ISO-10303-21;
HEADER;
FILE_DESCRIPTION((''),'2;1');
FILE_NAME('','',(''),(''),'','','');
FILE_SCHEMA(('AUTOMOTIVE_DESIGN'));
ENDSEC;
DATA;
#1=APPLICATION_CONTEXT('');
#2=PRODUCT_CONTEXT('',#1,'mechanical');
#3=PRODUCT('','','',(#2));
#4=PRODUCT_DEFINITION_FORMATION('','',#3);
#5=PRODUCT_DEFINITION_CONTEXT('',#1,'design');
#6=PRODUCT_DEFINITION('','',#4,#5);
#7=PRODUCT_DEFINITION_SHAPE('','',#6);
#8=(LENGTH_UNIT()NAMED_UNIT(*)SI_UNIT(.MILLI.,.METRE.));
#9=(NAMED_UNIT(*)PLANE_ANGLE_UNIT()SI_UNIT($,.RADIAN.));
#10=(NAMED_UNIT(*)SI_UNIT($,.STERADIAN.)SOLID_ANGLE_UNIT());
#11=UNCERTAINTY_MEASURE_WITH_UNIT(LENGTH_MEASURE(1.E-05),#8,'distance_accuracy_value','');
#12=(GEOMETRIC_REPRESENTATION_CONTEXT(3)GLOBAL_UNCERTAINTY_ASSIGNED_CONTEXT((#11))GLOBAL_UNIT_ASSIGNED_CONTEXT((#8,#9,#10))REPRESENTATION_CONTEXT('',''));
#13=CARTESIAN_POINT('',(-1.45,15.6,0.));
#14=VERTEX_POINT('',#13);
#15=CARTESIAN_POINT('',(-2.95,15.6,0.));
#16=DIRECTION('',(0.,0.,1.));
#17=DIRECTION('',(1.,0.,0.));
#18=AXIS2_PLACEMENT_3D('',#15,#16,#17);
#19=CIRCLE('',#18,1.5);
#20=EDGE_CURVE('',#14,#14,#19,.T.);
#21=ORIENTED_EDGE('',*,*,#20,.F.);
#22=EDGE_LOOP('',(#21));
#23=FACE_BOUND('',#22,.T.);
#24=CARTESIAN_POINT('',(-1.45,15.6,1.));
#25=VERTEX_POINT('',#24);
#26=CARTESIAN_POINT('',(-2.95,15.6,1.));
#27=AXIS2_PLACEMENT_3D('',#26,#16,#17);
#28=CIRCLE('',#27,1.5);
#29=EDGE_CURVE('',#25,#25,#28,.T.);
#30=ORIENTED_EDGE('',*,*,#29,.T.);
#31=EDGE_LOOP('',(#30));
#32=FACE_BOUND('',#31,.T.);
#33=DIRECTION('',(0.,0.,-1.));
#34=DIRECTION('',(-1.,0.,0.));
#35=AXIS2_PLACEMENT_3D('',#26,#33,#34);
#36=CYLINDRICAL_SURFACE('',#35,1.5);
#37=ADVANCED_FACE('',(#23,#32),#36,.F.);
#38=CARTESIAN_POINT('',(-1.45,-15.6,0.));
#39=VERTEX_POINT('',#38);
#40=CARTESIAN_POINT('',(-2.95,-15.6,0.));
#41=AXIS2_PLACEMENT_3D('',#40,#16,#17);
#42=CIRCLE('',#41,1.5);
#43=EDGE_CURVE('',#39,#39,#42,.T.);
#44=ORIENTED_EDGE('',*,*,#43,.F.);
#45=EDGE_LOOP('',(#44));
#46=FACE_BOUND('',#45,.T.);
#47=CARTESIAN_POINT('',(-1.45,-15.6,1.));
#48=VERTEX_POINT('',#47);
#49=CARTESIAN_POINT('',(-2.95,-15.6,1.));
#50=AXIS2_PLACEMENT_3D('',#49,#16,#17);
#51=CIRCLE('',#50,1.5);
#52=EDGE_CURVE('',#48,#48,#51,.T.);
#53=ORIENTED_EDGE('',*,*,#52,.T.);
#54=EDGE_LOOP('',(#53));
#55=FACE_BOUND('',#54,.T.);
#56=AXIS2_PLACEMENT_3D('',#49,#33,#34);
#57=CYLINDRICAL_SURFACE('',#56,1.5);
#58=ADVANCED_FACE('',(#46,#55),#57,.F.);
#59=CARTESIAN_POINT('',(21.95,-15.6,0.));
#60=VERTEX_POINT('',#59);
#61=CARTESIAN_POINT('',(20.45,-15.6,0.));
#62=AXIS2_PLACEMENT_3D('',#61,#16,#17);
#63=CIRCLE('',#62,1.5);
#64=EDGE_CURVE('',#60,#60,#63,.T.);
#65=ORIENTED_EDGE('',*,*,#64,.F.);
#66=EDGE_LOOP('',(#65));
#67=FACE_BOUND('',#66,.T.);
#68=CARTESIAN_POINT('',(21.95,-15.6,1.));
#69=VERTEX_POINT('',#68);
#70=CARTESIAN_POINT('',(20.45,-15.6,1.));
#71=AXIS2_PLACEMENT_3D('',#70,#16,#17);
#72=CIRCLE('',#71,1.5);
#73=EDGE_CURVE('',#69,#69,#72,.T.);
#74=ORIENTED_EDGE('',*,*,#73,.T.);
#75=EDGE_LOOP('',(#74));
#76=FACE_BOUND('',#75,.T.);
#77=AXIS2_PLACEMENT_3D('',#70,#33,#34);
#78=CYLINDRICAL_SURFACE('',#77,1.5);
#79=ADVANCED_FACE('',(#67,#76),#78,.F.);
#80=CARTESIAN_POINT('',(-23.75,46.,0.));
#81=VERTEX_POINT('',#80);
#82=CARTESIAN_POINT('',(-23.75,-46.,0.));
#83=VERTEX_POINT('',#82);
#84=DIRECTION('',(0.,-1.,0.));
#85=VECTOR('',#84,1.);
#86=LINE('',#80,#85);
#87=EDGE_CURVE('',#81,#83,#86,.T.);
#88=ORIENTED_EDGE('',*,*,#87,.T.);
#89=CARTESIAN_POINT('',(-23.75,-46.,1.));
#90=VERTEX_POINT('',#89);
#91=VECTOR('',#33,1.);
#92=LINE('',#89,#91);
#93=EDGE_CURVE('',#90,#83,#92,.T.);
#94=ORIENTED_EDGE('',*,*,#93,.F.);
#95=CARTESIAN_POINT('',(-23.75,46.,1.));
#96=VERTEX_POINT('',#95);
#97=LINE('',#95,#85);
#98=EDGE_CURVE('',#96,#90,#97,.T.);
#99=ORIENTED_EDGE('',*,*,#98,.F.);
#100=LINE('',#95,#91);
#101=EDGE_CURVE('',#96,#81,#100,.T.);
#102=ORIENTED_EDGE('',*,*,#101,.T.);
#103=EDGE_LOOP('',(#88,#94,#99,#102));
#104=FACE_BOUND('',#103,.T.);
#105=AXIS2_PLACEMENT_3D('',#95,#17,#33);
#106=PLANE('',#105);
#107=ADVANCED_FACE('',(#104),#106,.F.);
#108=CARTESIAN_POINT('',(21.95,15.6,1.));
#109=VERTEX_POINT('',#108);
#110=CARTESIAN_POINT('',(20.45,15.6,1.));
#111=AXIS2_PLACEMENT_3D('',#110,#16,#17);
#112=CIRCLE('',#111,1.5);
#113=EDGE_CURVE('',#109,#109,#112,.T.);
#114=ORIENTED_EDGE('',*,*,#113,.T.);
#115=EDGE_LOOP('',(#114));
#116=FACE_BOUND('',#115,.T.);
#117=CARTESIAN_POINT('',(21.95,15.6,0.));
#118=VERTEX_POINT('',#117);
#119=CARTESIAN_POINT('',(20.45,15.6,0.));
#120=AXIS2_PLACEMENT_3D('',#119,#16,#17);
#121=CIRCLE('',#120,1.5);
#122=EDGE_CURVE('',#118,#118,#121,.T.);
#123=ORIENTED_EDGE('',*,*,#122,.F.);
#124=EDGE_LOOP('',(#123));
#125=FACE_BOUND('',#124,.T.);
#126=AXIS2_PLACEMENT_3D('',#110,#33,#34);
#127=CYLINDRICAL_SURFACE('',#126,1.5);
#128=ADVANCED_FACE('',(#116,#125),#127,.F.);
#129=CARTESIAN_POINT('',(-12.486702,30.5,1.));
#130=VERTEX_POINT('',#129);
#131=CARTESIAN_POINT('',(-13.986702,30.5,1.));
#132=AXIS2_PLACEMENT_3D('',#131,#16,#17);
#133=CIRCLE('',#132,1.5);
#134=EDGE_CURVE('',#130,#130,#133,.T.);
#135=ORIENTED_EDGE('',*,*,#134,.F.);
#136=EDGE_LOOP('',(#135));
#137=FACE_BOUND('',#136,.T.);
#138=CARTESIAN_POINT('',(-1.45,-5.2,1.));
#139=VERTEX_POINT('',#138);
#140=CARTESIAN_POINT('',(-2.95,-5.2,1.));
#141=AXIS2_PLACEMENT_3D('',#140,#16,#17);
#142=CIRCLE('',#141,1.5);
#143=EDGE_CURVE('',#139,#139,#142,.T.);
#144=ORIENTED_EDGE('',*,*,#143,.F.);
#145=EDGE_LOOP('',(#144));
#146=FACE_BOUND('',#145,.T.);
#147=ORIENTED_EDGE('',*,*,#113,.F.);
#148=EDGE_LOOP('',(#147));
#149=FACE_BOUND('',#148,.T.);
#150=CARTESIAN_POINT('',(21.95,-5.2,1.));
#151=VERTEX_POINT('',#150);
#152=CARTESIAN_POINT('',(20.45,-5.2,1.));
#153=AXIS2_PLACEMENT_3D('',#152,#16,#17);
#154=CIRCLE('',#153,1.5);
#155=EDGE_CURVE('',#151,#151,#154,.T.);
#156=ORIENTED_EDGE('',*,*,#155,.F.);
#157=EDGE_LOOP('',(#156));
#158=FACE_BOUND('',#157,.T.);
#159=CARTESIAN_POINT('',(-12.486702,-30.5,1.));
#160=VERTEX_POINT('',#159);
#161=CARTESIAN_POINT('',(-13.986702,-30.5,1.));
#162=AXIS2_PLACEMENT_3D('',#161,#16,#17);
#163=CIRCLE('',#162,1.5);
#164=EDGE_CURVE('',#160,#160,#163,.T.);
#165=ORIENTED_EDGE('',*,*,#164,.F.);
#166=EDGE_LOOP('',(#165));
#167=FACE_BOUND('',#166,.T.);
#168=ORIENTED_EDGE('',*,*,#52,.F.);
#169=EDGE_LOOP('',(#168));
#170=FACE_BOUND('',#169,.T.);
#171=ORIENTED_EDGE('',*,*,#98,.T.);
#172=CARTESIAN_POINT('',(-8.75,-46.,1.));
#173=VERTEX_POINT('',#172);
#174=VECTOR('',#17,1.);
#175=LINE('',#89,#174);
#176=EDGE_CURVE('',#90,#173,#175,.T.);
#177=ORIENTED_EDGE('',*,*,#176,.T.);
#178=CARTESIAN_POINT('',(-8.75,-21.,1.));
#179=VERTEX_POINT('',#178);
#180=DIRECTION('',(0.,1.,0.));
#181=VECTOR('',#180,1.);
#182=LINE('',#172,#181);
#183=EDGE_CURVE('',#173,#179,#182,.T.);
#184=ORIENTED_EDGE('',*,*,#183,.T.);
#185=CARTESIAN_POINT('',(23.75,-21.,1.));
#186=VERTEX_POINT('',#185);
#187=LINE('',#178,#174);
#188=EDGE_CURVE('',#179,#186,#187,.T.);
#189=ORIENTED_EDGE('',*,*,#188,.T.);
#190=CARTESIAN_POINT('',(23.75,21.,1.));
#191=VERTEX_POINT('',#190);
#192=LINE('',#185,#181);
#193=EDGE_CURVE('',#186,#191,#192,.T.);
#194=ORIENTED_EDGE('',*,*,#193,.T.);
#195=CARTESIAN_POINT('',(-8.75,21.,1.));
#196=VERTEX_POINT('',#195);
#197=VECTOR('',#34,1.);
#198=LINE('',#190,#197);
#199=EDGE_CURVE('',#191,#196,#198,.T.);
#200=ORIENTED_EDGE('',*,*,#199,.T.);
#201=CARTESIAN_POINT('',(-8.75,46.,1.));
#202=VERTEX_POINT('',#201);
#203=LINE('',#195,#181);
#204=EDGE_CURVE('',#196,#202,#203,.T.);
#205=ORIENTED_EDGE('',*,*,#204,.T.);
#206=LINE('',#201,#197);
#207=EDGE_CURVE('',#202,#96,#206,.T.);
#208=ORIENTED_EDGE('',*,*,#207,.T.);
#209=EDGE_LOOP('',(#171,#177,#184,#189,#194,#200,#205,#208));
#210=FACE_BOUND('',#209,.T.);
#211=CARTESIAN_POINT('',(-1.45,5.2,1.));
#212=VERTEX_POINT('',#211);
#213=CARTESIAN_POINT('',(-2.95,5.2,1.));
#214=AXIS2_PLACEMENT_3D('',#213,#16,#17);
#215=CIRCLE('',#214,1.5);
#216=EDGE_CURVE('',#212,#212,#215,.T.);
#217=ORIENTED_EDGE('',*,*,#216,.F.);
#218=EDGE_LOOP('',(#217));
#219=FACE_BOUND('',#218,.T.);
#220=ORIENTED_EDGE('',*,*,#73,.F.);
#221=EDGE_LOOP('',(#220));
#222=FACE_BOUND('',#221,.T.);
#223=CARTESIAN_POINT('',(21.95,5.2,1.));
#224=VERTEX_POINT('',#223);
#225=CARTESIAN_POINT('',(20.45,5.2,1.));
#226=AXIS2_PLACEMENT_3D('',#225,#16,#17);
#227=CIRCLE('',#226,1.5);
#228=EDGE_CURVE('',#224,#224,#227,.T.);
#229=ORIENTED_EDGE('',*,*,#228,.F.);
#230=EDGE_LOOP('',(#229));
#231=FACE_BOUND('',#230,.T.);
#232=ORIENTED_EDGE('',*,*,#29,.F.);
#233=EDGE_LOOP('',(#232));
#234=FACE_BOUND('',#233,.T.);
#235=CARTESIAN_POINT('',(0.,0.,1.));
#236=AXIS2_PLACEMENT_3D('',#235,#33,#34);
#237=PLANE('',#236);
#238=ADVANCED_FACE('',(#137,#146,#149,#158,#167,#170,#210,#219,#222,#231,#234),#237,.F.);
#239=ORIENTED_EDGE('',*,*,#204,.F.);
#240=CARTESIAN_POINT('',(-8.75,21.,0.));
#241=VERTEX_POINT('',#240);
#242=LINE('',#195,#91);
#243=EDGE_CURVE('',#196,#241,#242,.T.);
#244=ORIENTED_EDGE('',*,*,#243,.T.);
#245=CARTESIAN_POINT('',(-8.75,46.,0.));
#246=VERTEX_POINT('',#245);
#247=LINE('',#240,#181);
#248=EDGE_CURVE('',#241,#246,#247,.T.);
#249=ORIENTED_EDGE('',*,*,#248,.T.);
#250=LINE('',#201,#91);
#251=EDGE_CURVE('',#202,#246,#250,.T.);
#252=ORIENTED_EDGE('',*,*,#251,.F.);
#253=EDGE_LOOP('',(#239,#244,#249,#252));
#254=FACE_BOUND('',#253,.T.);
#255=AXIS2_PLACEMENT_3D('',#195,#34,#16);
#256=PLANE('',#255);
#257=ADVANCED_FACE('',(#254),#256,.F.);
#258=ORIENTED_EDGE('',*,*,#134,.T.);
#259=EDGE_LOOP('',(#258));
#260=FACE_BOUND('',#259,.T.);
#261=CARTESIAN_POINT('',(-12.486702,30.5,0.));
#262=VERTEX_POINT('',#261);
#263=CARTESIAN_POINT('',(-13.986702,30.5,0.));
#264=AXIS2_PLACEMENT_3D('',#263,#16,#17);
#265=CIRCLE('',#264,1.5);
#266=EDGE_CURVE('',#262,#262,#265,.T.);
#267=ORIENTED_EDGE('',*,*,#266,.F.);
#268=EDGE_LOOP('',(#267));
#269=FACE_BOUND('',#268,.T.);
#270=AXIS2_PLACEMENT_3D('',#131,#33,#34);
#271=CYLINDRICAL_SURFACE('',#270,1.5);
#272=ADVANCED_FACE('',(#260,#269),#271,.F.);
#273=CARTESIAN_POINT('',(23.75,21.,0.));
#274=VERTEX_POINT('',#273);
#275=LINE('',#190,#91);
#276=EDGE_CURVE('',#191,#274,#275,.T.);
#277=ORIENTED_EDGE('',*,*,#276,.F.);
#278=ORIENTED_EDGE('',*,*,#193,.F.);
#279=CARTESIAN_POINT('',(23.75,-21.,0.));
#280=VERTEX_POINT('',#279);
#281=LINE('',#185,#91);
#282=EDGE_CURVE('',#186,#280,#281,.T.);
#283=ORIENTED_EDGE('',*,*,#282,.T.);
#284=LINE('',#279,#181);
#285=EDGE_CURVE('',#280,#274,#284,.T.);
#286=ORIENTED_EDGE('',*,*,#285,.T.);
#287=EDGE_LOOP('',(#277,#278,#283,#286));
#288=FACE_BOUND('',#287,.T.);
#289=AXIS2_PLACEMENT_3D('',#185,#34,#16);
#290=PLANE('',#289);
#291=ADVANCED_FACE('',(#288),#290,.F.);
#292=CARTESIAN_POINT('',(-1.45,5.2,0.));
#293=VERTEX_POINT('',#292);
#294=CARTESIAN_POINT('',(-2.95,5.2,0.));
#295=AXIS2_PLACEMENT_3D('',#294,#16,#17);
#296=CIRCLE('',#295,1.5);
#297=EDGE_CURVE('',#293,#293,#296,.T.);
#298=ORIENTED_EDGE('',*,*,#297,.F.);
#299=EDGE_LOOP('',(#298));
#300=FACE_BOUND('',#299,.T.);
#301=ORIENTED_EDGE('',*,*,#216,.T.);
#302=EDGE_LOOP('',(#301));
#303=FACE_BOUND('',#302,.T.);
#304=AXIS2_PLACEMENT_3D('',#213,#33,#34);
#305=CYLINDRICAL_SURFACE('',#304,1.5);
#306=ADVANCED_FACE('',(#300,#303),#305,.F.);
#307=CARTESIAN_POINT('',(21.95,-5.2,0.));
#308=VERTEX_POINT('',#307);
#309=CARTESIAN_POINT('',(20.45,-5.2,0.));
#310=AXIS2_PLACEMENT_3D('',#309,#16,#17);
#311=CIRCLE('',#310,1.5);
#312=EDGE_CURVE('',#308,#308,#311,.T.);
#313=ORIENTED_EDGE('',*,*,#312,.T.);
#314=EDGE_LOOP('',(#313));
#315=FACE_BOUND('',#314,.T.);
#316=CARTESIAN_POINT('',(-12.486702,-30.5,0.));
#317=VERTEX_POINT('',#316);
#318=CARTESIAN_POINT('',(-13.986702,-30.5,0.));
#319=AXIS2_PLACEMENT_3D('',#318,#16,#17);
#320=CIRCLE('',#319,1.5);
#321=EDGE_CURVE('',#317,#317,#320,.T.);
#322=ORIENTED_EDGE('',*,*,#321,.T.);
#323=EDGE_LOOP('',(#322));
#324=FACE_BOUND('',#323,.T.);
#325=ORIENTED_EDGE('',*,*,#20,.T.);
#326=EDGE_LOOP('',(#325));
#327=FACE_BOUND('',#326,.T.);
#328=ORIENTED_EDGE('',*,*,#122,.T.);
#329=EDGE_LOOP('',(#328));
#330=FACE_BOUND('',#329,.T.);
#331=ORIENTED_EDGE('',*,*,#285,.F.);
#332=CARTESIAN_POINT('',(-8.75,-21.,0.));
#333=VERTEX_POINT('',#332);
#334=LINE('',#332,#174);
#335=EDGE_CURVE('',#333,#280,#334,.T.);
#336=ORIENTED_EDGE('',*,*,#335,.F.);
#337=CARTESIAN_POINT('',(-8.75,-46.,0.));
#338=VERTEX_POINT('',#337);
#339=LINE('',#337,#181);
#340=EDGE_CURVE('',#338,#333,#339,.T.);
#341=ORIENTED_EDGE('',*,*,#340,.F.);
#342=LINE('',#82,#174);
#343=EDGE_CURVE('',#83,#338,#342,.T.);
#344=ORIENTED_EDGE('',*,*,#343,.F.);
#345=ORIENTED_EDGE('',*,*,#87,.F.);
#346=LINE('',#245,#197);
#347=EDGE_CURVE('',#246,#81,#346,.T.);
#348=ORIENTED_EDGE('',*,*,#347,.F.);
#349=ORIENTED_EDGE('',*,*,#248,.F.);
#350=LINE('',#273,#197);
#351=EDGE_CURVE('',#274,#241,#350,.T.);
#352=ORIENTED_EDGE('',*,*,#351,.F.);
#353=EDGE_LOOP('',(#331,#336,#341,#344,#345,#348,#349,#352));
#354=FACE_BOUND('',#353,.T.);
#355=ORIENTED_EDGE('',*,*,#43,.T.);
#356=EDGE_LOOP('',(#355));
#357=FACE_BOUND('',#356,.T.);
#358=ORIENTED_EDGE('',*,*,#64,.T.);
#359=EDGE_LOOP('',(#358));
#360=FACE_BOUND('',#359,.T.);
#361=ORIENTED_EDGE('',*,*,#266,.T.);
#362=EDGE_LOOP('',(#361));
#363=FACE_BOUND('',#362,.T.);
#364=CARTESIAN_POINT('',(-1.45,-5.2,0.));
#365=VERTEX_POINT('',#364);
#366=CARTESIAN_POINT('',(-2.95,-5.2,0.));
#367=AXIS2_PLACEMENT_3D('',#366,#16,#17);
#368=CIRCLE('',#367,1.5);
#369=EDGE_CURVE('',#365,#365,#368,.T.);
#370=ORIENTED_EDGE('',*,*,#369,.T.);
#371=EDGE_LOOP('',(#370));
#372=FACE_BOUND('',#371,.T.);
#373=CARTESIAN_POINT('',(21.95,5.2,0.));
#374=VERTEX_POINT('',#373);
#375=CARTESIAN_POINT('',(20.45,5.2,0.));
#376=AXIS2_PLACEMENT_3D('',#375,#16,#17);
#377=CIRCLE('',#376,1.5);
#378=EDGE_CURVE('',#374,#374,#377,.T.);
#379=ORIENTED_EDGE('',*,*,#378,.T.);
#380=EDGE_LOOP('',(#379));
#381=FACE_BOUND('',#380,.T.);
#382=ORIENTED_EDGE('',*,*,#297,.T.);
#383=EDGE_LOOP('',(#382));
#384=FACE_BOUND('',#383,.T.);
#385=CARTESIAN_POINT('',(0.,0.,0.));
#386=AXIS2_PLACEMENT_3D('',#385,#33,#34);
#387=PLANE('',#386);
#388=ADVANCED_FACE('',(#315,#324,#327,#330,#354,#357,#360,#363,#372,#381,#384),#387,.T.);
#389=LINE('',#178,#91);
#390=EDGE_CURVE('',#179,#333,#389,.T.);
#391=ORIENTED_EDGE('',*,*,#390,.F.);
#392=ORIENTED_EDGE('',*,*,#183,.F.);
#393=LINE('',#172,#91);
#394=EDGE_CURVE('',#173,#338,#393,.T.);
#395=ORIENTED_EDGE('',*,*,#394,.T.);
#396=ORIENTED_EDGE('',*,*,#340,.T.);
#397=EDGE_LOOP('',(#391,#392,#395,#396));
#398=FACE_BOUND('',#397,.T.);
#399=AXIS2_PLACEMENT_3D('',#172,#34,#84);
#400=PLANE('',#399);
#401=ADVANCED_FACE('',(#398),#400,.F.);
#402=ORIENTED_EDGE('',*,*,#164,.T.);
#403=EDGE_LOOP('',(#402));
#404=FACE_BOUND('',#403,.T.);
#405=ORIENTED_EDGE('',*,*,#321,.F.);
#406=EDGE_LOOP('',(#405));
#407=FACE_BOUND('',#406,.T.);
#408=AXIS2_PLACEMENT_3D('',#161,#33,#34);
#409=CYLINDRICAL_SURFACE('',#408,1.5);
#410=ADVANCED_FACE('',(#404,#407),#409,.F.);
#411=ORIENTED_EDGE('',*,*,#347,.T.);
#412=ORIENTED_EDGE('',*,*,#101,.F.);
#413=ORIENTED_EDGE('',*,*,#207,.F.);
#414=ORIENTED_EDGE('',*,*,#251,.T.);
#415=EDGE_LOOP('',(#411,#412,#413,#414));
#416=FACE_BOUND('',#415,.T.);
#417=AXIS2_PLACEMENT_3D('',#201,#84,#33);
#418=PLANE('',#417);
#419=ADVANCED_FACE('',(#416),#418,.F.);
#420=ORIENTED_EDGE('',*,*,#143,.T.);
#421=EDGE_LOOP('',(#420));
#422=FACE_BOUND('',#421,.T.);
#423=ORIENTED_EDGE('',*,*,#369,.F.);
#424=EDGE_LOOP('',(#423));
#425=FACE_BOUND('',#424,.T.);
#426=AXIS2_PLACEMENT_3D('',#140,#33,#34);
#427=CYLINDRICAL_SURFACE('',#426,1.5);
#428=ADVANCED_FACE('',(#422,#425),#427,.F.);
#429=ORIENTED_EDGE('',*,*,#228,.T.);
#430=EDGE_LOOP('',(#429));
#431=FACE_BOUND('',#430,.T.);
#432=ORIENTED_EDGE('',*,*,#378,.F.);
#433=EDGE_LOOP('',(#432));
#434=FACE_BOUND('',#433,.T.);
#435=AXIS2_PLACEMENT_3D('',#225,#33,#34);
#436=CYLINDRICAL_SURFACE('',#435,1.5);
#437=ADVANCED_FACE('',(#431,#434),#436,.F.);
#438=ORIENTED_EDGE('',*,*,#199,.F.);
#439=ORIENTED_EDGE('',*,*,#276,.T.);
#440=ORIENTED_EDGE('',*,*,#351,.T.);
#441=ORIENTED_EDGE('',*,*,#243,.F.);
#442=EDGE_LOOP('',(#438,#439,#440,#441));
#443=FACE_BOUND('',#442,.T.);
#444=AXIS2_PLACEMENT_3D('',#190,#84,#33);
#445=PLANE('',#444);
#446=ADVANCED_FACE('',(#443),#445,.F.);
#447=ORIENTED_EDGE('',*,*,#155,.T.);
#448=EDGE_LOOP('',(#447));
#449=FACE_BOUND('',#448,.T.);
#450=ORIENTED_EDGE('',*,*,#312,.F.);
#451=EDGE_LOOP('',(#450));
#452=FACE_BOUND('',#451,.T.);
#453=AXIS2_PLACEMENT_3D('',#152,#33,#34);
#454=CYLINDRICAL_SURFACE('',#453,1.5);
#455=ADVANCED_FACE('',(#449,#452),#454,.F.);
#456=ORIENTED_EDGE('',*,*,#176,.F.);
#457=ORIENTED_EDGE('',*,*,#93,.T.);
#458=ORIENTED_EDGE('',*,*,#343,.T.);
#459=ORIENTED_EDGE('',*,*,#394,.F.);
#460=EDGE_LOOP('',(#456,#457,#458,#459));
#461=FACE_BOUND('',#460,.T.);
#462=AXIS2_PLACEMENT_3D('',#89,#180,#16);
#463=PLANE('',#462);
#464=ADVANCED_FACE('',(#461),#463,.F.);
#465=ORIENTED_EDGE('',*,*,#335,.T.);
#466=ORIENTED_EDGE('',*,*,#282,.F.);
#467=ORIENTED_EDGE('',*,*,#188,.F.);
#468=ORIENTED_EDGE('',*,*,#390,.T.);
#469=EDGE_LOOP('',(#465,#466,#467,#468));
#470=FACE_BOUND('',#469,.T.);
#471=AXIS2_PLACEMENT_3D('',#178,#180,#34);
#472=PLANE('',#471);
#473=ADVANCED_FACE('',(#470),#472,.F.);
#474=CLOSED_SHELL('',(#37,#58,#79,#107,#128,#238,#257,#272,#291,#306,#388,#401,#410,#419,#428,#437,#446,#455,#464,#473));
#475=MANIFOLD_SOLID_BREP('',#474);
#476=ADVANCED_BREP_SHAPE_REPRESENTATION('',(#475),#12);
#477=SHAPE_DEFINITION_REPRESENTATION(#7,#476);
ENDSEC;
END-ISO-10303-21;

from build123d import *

# Parameters (mm, degrees)
SKETCH_1_R      = 1.5
EXTRUDE_1_DEPTH = 1


with BuildPart() as part:
    # Эскиз1 → Бобышка-Вытянуть1 (new body)
    with BuildSketch(Plane.XY):
        Polygon((-23.75, 46), (-23.75, -46), (-8.75, -46), (-8.75, -21), (23.75, -21), (23.75, 21), (-8.75, 21), (-8.75, 46), align=None)
        with Locations((-13.986702311, 30.5)):
            Circle(SKETCH_1_R, mode=Mode.SUBTRACT)
        with Locations((-13.986702311, -30.5)):
            Circle(SKETCH_1_R, mode=Mode.SUBTRACT)
        with Locations((-2.95, -15.6)):
            Circle(SKETCH_1_R, mode=Mode.SUBTRACT)
        with Locations((-2.95, -5.2)):
            Circle(SKETCH_1_R, mode=Mode.SUBTRACT)
        with Locations((-2.95, 5.2)):
            Circle(SKETCH_1_R, mode=Mode.SUBTRACT)
        with Locations((-2.95, 15.6)):
            Circle(SKETCH_1_R, mode=Mode.SUBTRACT)
        with Locations((20.45, 15.6)):
            Circle(SKETCH_1_R, mode=Mode.SUBTRACT)
        with Locations((20.45, 5.2)):
            Circle(SKETCH_1_R, mode=Mode.SUBTRACT)
        with Locations((20.45, -5.2)):
            Circle(SKETCH_1_R, mode=Mode.SUBTRACT)
        with Locations((20.45, -15.6)):
            Circle(SKETCH_1_R, mode=Mode.SUBTRACT)
    extrude(amount=EXTRUDE_1_DEPTH)


solid = part.part
